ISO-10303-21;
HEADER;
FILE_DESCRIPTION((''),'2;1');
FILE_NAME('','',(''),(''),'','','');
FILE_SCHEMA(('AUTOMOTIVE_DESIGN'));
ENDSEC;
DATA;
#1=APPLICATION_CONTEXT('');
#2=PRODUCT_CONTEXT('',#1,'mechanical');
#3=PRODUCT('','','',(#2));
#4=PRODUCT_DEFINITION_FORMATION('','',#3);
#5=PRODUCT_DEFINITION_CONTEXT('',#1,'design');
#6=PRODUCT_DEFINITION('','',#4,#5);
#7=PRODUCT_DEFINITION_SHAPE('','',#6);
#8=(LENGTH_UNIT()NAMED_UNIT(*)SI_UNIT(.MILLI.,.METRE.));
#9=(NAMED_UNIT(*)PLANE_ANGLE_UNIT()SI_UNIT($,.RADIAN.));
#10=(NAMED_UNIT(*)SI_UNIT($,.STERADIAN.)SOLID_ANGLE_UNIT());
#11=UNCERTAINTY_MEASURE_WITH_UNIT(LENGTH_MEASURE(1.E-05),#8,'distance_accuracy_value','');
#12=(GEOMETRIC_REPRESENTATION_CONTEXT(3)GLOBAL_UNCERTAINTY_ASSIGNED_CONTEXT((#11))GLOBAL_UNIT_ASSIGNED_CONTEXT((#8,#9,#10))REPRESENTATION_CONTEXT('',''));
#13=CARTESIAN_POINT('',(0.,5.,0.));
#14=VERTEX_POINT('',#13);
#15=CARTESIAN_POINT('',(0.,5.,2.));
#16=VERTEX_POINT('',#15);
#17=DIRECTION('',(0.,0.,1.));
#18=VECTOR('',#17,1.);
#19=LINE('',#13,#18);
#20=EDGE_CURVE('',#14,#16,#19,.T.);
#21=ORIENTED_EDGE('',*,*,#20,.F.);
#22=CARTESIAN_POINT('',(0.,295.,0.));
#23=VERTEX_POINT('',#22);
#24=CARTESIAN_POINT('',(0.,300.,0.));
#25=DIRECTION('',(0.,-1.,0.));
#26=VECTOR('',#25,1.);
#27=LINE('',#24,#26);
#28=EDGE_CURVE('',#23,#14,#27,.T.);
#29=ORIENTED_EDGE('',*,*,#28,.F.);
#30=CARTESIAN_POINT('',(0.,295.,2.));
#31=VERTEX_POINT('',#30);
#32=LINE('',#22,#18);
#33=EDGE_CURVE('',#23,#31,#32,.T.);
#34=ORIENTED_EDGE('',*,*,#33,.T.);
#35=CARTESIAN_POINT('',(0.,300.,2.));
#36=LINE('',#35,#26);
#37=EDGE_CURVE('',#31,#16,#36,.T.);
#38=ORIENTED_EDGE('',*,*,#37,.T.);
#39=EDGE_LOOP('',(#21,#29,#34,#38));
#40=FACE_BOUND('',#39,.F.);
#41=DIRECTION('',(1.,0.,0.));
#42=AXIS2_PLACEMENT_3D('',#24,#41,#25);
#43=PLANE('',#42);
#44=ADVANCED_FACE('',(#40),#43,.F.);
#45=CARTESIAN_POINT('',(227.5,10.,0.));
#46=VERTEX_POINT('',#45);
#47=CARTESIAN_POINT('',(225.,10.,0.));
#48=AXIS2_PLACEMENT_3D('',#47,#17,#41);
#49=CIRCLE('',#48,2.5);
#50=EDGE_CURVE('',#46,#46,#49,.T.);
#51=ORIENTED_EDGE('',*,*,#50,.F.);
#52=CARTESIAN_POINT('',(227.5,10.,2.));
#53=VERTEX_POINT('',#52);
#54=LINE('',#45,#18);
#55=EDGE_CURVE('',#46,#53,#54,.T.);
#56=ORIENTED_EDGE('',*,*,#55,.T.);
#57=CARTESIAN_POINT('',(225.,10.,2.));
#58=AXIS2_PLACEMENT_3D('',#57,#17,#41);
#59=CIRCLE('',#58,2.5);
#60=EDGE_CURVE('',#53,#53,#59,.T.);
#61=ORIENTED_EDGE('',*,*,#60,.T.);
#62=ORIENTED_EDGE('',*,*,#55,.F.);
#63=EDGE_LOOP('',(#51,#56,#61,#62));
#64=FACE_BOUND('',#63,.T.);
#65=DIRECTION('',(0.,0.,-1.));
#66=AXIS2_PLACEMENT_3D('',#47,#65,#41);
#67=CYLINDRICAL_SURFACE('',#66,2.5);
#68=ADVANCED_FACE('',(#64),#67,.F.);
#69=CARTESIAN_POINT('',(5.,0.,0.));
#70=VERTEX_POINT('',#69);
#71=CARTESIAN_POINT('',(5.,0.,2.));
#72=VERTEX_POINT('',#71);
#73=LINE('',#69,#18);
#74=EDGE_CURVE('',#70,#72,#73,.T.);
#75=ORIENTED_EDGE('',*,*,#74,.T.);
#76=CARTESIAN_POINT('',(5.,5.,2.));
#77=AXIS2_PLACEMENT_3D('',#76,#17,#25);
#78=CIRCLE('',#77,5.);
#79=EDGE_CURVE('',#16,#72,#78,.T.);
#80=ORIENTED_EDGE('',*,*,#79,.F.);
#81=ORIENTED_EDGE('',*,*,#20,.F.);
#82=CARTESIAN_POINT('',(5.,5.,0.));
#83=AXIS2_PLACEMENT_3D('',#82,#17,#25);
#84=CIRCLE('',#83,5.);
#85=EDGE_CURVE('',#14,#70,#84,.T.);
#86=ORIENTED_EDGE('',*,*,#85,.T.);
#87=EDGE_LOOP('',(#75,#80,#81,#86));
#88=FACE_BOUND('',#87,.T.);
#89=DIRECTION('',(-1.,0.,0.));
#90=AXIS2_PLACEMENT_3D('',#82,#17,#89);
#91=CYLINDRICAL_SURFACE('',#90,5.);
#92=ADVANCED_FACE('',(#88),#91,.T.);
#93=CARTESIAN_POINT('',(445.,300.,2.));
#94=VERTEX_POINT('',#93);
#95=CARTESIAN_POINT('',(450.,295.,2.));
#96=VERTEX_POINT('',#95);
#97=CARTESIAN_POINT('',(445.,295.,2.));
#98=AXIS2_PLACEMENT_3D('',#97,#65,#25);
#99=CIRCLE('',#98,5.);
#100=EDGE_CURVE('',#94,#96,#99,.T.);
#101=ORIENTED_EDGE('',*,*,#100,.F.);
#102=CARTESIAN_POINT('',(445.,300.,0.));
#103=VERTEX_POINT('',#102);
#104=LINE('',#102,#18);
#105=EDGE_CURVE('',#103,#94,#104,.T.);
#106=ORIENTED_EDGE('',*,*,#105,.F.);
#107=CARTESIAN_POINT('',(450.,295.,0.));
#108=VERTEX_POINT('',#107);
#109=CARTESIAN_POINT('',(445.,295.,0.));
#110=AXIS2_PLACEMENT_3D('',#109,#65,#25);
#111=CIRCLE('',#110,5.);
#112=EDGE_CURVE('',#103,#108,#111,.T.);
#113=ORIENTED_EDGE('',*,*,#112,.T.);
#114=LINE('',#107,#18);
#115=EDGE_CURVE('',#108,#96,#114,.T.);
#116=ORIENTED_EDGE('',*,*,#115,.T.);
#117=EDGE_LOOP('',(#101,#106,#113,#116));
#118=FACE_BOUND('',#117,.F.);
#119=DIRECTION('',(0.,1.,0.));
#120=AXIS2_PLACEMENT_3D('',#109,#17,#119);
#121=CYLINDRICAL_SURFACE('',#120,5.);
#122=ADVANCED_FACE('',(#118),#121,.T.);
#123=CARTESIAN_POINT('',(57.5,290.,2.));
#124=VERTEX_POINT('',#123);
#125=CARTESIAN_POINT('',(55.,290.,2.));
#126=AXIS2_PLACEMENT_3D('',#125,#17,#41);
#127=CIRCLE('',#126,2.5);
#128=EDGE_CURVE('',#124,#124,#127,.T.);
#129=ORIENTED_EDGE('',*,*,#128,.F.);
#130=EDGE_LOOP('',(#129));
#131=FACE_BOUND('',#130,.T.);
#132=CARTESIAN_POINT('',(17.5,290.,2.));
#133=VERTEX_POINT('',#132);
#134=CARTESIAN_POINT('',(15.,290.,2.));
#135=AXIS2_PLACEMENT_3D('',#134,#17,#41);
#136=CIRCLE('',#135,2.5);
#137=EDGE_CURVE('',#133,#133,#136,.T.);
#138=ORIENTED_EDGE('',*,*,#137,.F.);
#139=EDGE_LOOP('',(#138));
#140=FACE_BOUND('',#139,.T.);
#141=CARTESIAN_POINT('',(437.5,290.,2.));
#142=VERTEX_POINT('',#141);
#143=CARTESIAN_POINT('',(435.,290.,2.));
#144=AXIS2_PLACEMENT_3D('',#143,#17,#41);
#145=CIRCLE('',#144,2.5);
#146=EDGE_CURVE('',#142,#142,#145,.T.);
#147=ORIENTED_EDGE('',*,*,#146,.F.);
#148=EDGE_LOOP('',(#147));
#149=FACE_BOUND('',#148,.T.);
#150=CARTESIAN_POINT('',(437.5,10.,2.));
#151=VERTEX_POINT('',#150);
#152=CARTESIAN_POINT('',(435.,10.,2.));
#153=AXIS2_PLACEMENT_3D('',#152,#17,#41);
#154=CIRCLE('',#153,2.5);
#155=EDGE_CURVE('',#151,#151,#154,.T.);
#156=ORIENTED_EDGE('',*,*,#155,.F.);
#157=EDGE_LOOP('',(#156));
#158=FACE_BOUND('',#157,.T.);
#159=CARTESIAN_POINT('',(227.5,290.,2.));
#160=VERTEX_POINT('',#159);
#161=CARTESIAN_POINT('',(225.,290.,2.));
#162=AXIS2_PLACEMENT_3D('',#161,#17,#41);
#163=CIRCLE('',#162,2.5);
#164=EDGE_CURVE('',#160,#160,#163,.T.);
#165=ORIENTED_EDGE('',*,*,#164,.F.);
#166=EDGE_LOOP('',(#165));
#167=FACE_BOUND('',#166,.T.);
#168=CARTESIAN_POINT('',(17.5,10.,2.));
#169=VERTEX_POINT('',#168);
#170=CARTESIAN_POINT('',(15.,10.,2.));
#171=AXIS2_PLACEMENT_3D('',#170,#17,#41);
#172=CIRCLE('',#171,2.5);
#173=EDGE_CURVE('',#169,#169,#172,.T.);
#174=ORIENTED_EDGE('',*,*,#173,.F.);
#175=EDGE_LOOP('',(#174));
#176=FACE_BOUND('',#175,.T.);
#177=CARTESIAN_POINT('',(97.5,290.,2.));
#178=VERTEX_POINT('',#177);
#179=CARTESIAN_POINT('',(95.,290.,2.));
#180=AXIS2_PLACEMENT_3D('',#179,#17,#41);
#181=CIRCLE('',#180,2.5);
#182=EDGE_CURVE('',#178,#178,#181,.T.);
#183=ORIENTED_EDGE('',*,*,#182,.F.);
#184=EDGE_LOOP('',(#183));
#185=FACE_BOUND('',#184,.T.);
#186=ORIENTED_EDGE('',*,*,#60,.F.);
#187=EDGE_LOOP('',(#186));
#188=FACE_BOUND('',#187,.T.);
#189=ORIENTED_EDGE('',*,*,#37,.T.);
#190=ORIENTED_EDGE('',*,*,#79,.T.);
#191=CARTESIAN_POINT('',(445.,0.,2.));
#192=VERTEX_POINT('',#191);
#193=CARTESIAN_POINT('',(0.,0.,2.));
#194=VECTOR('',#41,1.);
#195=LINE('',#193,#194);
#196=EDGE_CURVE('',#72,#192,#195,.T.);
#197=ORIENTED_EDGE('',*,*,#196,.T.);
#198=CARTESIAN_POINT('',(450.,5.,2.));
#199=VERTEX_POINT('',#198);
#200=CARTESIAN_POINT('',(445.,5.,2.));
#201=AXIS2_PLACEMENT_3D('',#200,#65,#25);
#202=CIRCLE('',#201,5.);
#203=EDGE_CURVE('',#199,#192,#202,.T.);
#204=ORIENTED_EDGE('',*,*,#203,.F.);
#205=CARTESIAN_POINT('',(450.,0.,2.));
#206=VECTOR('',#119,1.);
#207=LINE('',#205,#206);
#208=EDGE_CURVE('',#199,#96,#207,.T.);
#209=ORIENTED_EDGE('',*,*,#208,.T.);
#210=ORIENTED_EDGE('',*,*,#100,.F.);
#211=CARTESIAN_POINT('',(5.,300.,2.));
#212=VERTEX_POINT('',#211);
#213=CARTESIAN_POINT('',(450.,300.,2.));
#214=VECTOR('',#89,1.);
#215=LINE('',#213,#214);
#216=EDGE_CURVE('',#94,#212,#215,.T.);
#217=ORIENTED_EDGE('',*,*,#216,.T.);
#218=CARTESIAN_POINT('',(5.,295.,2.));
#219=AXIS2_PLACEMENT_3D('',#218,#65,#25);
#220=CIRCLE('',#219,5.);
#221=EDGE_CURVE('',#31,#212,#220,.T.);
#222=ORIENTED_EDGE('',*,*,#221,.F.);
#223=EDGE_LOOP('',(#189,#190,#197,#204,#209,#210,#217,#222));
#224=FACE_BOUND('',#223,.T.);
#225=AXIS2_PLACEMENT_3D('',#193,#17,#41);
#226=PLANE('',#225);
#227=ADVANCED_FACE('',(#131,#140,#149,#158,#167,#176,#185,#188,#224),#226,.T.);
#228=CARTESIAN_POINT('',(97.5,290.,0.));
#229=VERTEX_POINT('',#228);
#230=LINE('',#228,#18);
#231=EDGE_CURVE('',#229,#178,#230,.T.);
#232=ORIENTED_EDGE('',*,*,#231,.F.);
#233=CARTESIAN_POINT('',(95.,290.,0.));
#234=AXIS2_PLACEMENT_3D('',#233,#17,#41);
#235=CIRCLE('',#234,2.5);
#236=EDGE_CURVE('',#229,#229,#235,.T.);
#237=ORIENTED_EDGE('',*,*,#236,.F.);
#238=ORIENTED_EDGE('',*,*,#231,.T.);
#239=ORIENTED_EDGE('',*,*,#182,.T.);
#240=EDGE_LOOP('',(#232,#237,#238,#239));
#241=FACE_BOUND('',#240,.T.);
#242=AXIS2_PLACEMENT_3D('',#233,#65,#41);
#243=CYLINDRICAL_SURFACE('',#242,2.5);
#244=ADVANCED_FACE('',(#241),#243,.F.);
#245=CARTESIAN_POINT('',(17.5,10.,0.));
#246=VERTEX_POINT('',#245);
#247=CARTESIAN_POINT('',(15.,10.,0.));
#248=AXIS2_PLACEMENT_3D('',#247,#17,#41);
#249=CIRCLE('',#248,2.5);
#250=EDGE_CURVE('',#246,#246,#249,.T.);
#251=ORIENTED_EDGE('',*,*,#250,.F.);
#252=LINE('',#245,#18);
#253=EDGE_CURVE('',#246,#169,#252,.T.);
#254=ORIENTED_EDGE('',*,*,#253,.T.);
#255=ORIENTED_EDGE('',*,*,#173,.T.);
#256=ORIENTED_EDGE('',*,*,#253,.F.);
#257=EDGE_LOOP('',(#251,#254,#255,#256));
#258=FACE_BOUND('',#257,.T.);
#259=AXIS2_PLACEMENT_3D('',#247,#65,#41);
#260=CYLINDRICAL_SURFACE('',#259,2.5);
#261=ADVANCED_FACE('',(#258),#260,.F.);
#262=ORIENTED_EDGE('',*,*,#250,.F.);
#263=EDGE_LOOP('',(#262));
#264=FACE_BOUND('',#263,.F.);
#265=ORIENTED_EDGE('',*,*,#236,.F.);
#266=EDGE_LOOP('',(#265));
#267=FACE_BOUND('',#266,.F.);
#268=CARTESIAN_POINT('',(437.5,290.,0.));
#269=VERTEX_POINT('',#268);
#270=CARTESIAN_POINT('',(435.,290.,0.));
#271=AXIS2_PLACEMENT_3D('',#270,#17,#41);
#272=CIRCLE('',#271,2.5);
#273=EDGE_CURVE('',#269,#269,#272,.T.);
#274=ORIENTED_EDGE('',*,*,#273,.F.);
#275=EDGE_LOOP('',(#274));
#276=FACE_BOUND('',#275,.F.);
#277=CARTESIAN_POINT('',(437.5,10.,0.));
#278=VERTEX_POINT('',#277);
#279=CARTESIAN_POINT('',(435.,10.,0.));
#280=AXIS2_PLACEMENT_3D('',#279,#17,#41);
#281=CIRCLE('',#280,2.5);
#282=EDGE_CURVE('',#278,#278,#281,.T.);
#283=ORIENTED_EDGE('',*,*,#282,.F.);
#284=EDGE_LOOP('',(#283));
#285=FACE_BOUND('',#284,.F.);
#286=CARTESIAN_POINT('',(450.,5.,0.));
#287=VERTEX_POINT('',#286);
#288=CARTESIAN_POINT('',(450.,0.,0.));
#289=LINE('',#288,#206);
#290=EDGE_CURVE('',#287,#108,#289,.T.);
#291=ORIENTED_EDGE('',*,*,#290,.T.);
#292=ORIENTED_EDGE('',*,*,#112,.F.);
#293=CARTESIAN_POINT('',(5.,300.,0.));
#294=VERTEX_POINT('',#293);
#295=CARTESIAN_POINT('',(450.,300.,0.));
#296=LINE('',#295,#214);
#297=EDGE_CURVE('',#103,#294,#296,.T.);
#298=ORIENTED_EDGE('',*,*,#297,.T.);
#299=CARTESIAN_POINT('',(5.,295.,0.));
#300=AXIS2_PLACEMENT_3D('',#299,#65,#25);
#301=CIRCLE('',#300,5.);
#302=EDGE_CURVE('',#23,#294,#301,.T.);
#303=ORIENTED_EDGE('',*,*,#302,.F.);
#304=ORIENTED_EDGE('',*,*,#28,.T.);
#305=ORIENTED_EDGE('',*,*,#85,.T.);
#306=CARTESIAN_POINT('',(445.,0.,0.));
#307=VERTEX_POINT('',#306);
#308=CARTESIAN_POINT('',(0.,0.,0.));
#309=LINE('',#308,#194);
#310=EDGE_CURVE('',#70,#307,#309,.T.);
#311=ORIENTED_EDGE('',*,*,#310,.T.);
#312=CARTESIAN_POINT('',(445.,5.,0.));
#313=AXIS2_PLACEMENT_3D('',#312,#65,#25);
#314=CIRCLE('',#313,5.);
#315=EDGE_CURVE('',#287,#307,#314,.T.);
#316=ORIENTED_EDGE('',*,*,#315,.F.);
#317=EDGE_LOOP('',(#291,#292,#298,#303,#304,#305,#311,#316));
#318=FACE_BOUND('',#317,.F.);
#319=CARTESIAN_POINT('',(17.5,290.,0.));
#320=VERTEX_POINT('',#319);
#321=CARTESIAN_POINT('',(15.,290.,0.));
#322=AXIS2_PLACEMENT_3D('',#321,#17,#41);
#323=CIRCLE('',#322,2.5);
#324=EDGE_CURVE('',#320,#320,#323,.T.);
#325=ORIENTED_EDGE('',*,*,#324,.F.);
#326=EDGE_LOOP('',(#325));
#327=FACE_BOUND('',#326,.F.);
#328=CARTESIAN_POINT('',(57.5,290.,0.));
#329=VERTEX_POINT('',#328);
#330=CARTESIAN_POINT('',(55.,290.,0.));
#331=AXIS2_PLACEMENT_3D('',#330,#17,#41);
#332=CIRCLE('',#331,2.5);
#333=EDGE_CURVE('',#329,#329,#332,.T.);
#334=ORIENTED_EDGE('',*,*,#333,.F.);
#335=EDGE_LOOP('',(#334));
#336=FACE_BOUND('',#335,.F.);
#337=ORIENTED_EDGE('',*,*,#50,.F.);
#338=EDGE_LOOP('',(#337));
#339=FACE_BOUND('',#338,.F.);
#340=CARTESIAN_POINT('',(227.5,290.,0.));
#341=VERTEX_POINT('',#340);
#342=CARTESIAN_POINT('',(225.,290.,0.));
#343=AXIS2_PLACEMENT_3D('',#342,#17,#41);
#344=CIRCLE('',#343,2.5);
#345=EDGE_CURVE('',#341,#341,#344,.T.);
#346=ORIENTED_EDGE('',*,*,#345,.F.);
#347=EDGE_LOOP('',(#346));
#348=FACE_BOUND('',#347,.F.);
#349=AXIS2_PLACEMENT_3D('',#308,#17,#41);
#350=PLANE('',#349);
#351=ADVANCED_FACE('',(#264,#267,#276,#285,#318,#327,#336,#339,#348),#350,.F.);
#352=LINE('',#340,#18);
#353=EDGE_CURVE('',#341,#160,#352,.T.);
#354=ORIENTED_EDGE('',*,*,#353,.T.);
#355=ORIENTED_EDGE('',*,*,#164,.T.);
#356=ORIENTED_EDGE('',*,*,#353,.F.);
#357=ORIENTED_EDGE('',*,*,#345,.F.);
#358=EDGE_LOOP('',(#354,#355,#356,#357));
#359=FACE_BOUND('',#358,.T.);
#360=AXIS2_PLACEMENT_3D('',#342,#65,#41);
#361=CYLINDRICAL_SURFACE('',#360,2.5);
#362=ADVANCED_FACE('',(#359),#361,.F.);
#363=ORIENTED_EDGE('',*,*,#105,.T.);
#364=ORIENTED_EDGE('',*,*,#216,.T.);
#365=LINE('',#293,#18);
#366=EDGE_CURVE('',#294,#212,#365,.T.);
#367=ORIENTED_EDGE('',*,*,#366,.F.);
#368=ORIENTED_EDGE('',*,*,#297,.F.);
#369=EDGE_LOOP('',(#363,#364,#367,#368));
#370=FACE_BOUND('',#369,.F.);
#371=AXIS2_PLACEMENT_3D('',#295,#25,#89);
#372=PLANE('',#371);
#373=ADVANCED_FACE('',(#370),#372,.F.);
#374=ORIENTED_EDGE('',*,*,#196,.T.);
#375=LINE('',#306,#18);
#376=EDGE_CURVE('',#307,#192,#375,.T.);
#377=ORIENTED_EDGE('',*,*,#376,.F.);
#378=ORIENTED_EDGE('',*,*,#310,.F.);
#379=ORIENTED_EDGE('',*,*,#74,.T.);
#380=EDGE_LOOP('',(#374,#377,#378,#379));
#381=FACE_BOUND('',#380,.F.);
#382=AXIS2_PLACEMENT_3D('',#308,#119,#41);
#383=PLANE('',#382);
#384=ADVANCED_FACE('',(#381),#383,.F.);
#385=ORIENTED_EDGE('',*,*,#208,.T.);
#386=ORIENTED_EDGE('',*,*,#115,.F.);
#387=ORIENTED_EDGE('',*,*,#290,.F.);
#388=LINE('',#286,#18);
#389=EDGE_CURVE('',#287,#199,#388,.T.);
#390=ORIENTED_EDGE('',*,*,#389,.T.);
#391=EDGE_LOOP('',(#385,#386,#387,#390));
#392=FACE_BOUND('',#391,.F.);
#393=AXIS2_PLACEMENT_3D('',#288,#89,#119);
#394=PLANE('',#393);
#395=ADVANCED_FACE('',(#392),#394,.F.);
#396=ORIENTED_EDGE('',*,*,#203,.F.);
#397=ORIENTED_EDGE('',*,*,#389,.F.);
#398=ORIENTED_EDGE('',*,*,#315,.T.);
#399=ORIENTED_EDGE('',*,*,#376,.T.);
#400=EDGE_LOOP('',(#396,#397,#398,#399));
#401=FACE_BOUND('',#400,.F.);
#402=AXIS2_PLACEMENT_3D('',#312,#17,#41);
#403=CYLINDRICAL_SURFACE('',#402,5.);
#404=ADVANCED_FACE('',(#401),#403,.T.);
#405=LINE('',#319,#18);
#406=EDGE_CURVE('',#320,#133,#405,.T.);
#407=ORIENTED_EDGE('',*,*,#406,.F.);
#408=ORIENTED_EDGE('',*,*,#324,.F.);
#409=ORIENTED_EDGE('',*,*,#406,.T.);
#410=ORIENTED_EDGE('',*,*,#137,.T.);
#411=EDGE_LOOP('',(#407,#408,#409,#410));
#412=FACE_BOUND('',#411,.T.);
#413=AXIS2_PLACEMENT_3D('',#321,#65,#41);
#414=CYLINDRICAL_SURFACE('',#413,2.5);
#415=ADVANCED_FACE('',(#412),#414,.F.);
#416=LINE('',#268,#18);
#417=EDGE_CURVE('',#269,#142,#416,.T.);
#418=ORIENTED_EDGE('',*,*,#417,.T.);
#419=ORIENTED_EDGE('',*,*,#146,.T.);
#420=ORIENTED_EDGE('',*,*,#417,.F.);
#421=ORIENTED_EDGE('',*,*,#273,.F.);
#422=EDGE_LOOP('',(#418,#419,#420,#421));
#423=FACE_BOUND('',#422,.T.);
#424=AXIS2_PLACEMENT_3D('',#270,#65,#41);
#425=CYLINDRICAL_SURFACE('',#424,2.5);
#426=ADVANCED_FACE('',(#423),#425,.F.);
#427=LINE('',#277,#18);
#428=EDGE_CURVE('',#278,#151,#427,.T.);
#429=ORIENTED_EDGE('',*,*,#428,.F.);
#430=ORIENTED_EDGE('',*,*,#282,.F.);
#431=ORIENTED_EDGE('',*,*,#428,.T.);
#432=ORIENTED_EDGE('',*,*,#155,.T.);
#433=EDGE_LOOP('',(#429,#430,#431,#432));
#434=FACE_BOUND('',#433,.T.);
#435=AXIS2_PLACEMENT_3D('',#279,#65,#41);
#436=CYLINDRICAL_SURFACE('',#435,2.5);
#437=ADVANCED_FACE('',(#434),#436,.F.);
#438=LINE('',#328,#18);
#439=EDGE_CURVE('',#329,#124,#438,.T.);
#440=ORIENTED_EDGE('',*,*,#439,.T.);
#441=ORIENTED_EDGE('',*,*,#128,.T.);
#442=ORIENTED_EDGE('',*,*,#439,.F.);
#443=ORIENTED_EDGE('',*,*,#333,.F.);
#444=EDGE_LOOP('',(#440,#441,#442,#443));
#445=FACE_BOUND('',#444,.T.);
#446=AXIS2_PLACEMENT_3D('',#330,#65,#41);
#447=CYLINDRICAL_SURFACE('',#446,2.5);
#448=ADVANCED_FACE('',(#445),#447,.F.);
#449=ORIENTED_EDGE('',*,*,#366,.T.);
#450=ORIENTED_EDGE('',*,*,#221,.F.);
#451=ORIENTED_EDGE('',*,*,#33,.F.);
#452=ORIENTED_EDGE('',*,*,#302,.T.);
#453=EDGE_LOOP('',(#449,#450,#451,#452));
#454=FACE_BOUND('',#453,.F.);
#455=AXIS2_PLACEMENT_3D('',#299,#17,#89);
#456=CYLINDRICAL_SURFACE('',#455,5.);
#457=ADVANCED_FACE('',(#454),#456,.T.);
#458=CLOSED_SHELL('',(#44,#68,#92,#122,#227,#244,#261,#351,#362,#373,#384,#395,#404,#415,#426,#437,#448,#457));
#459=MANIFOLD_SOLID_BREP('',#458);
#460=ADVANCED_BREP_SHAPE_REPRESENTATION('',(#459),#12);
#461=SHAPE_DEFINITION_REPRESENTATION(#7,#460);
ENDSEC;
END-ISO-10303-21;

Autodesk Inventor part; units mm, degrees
ref_plane "YZ Plane" through (0, 0, 0) normal (1, 0, 0) x (0, 1, 0)
ref_plane "XZ Plane" through (0, 0, 0) normal (0, 1, 0) x (-1, 0, 0)
ref_plane "XY Plane" through (0, 0, 0) normal (0, 0, 1) x (1, 0, 0)
sketch "スケッチ1" plane through (0, 0, 0) normal (0, 0, 1) x (1, 0, 0)
  line L0 (0, 0) -> (450, 0)
  line L1 (450, 0) -> (450, 300)
  line L2 (450, 300) -> (0, 300)
  line L3 (0, 300) -> (0, 0)
  line L4 (10, 290) -> (440, 290) construction
  line L5 (440, 290) -> (440, 10) construction
  line L6 (440, 10) -> (10, 10) construction
  line L7 (10, 10) -> (10, 290) construction
  circle A0 centre (15, 290) radius 2.5
  circle A1 centre (435, 290) radius 2.5
  circle A2 centre (225, 290) radius 2.5
  circle A3 centre (15, 10) radius 2.5
  circle A4 centre (435, 10) radius 2.5
  line L8 (225, 0) -> (225, 10) construction
  line L9 (225, 287.5) -> (225, 300) construction
  circle A5 centre (225, 10) radius 2.5
  circle A6 centre (55, 290) radius 2.5
  circle A7 centre (95, 290) radius 2.5
  dimension "d0" = 450
  dimension "d1" = 300
  dimension "d2" = 10
  dimension "d3" = 15
  dimension "d4" = 15
  dimension "d5" = 5
  dimension "d9" = 5
  dimension "d10" = 15
  dimension "d12" = 15
  dimension "d16" = 40
  dimension "d17" = 40
extrude "押し出し1" add sketch "スケッチ1" along normal blind 2
fillet "フィレット1" radius 5 4 edges at (450, 0, 1) (450, 300, 1) (0, 0, 1) (0, 300, 1)
properties part number "防水2" material "PET プラスチック"
